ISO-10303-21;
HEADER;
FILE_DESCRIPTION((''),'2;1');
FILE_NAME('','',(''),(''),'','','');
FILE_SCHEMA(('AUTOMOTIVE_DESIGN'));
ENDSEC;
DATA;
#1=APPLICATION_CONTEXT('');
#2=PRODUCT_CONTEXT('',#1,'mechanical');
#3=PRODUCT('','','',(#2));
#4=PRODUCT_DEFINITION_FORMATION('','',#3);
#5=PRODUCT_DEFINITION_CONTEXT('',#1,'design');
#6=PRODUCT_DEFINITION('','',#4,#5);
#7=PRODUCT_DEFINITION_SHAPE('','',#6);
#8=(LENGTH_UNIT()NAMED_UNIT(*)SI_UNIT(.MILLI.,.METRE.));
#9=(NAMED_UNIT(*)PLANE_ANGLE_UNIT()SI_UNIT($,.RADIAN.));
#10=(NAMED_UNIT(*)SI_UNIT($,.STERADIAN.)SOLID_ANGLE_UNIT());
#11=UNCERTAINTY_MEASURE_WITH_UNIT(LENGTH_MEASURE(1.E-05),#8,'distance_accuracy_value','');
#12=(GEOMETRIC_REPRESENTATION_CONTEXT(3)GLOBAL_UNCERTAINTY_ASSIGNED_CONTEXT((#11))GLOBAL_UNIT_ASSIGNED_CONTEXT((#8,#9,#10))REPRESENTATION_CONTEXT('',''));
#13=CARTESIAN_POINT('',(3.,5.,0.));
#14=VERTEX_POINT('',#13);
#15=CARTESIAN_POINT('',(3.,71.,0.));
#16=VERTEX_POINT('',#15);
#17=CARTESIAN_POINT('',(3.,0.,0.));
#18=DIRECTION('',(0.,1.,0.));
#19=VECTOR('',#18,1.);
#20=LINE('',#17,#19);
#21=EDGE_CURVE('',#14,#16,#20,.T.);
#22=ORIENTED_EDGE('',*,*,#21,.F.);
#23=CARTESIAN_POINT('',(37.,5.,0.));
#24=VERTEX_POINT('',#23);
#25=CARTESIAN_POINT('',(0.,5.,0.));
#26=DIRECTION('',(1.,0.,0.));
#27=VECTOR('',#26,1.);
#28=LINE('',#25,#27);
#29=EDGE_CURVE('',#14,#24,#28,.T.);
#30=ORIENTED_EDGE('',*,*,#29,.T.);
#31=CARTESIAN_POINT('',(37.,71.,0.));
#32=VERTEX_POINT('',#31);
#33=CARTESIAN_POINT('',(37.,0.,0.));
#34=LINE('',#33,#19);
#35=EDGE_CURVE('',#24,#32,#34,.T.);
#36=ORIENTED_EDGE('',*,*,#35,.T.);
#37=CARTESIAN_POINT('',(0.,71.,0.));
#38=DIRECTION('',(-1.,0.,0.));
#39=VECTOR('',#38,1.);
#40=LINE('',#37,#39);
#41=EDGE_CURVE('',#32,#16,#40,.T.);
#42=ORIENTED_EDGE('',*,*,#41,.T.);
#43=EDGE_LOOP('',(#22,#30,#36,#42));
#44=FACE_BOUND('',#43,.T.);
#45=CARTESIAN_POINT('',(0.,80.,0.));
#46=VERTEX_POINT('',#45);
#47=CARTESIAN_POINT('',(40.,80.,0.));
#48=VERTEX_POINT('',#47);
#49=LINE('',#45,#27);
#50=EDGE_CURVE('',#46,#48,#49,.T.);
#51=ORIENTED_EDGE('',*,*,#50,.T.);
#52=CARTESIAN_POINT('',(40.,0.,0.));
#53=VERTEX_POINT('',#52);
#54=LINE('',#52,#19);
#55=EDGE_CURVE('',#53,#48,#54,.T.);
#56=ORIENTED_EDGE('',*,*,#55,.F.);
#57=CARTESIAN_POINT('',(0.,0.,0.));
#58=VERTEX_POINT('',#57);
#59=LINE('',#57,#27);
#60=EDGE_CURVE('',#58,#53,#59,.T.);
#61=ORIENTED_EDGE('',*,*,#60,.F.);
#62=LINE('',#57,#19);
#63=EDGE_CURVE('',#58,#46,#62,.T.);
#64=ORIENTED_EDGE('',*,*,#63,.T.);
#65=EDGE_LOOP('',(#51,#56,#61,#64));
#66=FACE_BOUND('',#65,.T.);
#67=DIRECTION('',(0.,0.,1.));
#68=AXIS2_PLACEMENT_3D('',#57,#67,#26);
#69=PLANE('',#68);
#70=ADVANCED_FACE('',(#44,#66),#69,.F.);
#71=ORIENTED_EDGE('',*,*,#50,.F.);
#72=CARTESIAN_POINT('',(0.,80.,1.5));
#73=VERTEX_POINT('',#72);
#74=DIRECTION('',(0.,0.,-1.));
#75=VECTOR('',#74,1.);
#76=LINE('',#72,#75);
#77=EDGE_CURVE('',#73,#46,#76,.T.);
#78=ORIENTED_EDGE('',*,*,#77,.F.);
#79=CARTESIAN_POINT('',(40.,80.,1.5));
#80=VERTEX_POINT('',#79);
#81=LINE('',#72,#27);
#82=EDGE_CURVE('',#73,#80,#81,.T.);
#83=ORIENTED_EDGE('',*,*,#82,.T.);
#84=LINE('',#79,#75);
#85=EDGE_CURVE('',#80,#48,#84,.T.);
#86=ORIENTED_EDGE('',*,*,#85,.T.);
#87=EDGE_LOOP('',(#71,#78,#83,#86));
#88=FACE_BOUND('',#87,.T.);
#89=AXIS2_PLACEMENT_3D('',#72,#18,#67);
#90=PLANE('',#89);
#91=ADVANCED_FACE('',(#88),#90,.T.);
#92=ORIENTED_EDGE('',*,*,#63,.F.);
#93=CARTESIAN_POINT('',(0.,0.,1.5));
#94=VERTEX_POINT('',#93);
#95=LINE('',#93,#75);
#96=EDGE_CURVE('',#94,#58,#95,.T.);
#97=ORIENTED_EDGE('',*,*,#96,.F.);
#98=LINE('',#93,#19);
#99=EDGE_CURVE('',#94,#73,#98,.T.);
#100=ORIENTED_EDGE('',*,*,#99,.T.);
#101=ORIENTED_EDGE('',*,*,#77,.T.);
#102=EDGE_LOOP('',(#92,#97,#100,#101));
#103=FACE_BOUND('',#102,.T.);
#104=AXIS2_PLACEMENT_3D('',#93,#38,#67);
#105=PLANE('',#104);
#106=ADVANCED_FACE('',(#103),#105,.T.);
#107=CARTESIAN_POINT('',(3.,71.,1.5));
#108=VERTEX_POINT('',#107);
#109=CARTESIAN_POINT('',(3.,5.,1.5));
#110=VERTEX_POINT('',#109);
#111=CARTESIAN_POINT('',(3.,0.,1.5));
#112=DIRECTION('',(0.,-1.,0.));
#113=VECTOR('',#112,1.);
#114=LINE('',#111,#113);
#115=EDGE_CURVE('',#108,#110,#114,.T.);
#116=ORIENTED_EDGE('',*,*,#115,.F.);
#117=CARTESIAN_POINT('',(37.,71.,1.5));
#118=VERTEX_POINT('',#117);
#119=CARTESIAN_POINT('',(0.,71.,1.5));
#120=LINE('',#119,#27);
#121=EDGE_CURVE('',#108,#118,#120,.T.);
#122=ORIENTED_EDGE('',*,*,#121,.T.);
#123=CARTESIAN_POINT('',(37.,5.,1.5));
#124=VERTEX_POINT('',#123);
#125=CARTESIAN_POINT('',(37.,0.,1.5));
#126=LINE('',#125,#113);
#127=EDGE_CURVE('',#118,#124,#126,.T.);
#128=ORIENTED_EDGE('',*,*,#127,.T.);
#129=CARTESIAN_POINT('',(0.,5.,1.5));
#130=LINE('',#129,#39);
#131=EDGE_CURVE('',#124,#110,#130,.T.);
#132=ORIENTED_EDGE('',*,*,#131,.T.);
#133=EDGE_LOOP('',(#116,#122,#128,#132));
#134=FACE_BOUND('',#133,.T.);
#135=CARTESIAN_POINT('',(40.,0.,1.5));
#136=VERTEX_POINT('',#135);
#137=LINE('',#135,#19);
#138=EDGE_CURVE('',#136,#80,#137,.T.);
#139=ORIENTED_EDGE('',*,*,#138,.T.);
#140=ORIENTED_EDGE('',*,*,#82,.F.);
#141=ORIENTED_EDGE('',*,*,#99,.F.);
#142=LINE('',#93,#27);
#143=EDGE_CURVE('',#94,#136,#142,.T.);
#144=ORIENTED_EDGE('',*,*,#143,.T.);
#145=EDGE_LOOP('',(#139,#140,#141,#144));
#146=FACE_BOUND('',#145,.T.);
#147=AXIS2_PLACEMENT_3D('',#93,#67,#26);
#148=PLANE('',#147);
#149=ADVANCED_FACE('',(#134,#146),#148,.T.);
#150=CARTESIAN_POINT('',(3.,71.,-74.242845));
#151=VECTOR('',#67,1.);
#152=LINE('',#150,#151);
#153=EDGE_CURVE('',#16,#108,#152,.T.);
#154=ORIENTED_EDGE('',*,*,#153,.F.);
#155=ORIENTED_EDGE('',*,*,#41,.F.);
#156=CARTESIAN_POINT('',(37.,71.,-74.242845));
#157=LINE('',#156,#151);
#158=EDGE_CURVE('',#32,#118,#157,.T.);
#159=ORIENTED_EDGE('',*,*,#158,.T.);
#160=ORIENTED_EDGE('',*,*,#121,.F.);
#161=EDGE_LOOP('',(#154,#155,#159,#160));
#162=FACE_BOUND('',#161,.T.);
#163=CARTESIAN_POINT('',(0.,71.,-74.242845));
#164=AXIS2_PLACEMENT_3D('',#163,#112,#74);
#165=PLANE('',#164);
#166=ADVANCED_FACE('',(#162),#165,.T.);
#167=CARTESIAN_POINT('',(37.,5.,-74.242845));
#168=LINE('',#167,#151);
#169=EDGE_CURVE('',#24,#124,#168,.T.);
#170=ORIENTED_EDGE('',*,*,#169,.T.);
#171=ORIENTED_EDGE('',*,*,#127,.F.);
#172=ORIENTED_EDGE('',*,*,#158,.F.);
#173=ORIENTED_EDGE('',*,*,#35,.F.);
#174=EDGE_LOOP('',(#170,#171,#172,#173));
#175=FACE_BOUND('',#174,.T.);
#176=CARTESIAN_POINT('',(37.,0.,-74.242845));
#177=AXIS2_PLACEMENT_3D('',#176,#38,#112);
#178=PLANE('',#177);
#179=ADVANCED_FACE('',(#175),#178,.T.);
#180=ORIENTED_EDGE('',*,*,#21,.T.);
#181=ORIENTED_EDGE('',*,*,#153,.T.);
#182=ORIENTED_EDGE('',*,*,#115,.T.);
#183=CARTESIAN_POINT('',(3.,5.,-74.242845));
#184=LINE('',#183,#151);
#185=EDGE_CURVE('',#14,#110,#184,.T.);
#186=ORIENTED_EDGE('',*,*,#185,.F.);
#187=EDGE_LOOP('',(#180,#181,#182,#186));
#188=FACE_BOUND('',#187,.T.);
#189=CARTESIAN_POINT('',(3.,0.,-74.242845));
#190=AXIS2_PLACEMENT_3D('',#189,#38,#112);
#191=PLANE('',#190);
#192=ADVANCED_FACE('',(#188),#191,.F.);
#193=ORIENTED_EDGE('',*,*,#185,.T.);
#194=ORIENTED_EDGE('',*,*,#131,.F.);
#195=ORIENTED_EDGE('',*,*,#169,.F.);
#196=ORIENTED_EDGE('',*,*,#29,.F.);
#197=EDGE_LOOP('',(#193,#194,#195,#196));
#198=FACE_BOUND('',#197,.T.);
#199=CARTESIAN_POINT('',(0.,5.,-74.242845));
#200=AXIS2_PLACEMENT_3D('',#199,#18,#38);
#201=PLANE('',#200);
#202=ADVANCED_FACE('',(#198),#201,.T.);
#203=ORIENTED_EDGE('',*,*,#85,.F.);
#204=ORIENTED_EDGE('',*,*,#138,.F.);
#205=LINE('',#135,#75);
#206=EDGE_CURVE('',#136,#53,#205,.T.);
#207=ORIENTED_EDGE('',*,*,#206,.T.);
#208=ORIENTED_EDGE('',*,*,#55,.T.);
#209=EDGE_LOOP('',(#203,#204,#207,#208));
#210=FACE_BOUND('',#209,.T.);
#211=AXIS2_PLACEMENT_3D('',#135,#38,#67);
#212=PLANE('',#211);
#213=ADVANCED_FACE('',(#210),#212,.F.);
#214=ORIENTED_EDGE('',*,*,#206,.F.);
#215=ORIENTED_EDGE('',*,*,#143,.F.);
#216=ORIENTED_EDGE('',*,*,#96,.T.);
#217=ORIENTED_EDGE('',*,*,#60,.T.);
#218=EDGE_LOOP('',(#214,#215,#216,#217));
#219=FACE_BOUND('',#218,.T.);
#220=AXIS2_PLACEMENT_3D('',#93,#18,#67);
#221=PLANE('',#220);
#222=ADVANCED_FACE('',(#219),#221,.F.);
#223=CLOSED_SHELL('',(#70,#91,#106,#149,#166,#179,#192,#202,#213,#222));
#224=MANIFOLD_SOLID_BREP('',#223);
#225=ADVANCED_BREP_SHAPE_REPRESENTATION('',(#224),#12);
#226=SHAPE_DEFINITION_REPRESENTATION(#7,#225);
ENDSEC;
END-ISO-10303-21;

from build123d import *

# Parameters (mm, degrees)
SKETCH1_W           = 40
SKETCH1_H           = 80
BOSS_EXTRUDE1_DEPTH = 1.5
CUT_EXTRUDE1_DEPTH  = 1.5


with BuildPart() as part:
    # Sketch1 → Boss-Extrude1 (new body)
    with BuildSketch(Plane.XY):
        with Locations((20, 40)):
            Rectangle(SKETCH1_W, SKETCH1_H)
    extrude(amount=BOSS_EXTRUDE1_DEPTH)

    # Sketch2 → Cut-Extrude1 (cut)
    with BuildSketch(Plane.XY.offset(1.5)):
        Polygon((37, 71), (37, 5), (20, 5), (3, 5), (3, 71), align=None)
    extrude(amount=-CUT_EXTRUDE1_DEPTH, mode=Mode.SUBTRACT)


solid = part.part
